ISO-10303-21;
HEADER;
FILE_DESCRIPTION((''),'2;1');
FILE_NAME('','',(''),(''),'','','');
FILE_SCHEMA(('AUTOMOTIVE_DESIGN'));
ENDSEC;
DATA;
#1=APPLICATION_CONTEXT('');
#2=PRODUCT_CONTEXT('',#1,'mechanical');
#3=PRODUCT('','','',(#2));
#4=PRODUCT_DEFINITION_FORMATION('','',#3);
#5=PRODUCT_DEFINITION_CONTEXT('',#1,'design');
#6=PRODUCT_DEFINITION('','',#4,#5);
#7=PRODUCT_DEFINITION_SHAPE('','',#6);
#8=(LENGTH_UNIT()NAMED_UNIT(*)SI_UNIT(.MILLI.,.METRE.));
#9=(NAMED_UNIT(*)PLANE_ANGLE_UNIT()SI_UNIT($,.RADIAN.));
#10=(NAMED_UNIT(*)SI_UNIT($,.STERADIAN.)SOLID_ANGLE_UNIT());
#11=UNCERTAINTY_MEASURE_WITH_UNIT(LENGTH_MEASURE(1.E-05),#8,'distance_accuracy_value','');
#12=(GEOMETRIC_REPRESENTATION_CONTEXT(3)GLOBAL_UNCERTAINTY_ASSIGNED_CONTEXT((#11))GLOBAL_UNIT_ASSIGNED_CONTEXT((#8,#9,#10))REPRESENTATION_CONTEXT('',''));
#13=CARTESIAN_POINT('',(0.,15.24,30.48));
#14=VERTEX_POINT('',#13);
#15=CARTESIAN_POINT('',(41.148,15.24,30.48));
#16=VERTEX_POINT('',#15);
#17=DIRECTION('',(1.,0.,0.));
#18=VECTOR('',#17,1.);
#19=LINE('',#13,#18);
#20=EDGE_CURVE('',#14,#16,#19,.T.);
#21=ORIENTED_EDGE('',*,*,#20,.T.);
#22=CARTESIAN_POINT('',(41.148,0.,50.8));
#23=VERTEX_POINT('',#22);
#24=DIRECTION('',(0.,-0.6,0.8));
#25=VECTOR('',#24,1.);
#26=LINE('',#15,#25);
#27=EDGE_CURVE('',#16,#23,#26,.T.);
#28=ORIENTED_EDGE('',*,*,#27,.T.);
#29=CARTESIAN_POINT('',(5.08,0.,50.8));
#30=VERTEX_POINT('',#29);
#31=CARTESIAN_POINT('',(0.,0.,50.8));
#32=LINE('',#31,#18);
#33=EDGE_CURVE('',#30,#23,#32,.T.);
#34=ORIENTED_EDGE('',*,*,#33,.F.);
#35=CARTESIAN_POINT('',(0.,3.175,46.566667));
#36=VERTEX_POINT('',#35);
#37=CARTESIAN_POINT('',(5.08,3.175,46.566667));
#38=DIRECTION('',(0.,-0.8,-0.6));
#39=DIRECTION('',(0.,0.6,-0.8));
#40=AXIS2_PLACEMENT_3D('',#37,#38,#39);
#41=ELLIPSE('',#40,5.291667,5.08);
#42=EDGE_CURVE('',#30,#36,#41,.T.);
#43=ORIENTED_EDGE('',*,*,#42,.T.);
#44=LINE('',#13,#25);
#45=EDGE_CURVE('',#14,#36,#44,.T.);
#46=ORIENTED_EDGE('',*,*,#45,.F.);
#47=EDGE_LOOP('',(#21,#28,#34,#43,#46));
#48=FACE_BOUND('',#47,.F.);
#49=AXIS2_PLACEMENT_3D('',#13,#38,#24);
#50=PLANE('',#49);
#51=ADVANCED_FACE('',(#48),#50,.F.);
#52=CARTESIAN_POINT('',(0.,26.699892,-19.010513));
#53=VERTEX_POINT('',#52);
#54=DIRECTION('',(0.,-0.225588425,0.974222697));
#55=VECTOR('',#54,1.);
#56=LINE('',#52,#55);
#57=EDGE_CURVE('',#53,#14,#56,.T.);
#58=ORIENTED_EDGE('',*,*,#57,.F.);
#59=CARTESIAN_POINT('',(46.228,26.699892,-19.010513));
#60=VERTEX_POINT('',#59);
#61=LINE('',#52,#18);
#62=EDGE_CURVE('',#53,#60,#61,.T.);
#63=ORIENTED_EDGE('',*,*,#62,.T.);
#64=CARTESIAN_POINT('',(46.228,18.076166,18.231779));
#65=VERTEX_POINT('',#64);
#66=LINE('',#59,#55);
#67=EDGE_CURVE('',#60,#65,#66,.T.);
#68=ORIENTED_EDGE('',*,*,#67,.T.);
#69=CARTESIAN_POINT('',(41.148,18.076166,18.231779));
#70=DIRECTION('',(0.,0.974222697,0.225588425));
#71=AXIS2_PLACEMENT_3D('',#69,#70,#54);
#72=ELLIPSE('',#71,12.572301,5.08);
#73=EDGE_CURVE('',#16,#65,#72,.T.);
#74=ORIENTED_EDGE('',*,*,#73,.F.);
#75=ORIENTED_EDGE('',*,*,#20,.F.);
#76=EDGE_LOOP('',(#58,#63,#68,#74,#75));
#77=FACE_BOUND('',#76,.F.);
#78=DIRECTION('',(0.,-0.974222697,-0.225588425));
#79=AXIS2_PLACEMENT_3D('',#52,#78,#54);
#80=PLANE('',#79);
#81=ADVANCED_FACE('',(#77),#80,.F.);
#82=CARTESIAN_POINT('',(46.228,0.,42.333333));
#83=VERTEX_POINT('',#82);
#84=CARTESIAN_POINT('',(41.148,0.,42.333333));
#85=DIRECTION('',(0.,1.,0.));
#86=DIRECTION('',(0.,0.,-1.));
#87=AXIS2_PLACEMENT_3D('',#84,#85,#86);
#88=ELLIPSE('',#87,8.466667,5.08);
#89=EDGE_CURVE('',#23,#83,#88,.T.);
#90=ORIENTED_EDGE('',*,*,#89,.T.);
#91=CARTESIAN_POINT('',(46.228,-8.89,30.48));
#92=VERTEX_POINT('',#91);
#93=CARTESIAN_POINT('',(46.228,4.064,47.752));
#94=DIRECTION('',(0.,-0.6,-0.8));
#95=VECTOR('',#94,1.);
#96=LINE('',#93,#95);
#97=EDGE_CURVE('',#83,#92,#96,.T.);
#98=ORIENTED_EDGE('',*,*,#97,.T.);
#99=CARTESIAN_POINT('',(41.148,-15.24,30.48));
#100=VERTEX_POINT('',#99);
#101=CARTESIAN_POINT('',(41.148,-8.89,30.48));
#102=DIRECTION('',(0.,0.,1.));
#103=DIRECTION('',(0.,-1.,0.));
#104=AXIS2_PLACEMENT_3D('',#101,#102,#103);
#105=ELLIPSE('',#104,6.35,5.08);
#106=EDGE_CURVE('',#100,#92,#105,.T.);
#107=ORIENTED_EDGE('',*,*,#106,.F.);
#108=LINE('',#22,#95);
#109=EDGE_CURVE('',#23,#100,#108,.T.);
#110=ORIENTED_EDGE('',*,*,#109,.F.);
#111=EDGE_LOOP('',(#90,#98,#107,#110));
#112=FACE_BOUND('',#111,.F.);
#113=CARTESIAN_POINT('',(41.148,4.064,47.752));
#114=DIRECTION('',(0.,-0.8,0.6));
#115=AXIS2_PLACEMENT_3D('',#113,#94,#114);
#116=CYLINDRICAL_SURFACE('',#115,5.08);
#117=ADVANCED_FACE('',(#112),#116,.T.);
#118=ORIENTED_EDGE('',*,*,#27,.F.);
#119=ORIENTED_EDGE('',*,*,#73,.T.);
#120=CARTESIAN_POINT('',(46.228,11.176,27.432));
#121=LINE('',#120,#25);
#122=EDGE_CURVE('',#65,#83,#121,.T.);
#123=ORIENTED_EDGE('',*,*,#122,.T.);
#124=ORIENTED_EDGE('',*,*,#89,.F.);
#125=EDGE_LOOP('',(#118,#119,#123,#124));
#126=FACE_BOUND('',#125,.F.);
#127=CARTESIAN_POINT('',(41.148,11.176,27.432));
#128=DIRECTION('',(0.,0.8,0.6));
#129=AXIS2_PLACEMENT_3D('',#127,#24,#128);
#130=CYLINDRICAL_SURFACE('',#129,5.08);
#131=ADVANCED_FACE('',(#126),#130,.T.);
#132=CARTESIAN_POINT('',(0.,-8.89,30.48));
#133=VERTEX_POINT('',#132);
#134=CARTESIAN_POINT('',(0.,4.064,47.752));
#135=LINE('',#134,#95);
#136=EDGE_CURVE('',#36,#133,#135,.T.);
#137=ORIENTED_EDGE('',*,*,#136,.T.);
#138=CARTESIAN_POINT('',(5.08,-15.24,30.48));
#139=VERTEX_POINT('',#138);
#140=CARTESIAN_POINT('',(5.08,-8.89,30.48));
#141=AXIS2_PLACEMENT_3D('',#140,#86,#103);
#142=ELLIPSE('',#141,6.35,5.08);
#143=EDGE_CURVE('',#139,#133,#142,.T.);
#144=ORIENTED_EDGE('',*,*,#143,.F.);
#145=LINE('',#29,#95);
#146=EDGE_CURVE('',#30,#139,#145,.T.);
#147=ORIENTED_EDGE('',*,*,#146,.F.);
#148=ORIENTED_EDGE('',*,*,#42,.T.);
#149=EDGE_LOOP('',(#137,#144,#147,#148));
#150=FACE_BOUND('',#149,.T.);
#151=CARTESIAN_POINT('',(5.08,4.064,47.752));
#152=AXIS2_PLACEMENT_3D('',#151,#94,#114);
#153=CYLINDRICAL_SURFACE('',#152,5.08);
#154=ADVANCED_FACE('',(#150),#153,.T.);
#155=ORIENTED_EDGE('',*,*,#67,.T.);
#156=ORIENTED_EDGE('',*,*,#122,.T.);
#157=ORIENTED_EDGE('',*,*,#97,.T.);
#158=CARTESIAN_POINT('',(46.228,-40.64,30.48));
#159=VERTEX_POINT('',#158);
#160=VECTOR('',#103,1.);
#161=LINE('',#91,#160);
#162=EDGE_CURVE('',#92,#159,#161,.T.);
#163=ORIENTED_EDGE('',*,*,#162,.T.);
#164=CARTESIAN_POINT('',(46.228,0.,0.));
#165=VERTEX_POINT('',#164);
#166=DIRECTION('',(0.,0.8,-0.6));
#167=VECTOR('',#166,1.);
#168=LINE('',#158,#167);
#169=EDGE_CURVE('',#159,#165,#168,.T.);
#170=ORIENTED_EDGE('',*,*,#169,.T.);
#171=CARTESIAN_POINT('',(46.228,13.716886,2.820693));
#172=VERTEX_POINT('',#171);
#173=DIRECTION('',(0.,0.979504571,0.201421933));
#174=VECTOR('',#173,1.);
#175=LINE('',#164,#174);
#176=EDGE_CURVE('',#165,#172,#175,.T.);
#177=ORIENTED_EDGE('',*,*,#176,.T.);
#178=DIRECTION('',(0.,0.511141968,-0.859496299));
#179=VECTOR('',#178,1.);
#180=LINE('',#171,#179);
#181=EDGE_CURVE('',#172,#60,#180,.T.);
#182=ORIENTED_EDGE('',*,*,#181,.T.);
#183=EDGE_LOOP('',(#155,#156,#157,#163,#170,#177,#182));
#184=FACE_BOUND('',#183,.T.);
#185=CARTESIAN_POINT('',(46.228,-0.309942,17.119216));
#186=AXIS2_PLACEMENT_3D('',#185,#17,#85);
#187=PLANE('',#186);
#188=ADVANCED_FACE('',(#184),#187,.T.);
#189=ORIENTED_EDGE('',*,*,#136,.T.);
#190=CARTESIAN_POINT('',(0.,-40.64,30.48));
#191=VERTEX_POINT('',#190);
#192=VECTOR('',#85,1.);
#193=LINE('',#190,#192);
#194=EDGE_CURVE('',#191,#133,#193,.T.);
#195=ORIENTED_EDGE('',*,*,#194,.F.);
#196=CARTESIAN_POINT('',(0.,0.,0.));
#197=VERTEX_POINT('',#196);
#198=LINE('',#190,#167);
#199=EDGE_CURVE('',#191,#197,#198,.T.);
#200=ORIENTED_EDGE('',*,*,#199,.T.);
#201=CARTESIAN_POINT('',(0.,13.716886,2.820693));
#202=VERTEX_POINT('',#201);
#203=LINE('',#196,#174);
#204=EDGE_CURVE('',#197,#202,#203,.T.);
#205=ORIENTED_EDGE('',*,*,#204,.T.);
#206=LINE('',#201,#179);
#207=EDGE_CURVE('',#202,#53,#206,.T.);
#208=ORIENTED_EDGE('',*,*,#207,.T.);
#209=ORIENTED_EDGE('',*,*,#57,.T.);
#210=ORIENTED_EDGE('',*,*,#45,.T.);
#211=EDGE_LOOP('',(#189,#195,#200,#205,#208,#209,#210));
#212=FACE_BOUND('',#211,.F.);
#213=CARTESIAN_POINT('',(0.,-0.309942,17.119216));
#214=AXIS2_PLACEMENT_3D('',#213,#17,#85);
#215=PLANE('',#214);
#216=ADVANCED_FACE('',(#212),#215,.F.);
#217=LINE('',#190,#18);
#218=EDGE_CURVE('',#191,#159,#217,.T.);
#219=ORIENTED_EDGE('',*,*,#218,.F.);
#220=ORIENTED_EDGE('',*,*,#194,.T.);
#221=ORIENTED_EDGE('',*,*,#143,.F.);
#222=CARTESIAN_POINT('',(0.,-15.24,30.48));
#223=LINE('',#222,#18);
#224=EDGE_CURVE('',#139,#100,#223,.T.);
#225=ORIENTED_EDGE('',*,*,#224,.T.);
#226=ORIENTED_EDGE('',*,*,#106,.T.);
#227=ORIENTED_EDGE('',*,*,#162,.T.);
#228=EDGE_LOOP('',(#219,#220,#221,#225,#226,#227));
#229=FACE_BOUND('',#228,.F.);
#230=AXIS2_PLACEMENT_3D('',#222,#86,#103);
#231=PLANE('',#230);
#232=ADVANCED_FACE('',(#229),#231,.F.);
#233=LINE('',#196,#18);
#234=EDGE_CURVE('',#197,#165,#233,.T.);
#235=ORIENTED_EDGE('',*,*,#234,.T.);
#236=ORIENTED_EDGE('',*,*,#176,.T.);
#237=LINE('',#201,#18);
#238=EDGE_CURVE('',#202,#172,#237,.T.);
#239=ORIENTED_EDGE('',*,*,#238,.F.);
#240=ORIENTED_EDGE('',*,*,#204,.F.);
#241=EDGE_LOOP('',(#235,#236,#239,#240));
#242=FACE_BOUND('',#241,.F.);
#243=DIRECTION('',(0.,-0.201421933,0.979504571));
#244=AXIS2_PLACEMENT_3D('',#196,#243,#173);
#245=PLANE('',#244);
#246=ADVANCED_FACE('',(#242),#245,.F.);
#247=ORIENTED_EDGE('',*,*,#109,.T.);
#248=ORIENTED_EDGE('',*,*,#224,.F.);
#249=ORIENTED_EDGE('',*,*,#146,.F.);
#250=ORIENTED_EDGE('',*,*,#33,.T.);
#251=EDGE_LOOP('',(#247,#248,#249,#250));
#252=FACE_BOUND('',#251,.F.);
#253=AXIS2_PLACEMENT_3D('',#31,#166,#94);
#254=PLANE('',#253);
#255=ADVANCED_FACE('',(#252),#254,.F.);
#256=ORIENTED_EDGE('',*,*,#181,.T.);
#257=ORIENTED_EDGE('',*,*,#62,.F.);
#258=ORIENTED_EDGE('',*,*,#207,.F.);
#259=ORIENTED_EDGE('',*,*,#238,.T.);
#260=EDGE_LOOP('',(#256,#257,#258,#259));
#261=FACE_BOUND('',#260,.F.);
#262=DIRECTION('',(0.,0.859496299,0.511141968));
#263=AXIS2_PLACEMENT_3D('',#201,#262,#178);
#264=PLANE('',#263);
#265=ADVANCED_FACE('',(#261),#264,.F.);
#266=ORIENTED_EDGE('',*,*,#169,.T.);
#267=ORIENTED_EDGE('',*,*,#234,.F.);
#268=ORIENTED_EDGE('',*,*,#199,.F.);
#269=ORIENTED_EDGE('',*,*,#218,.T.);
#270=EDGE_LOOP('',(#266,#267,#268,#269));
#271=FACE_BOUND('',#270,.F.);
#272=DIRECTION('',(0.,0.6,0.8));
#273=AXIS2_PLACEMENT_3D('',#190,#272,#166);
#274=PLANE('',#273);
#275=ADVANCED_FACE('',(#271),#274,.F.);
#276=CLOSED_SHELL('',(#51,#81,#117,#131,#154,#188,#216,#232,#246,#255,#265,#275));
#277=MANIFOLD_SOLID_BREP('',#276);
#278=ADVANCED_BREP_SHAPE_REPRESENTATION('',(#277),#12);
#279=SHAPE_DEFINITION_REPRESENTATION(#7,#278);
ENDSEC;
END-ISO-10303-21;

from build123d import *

# Parameters (mm, degrees)
F1_DEPTH = 46.228
F2_R     = 5.08


with BuildPart() as f1:
    # F0 (on Right) → F1 (new body)
    with BuildSketch(Plane.YZ):
        Polygon((-14.183068, 10.637301), (0, 0), (13.716886, 2.820693), (26.699892, -19.010513), (15.24, 30.48), (0, 50.8), (-15.24, 30.48), (-40.64, 30.48), align=None)
    extrude(amount=F1_DEPTH)

    # F2
    f2_edges = [f1.edges().sort_by_distance(p)[0] for p in [
        (0, -7.62, 40.64),
        (46.228, -7.62, 40.64),
        (46.228, 7.62, 40.64),
    ]]
    fillet(f2_edges, radius=F2_R)


solid = f1.part
